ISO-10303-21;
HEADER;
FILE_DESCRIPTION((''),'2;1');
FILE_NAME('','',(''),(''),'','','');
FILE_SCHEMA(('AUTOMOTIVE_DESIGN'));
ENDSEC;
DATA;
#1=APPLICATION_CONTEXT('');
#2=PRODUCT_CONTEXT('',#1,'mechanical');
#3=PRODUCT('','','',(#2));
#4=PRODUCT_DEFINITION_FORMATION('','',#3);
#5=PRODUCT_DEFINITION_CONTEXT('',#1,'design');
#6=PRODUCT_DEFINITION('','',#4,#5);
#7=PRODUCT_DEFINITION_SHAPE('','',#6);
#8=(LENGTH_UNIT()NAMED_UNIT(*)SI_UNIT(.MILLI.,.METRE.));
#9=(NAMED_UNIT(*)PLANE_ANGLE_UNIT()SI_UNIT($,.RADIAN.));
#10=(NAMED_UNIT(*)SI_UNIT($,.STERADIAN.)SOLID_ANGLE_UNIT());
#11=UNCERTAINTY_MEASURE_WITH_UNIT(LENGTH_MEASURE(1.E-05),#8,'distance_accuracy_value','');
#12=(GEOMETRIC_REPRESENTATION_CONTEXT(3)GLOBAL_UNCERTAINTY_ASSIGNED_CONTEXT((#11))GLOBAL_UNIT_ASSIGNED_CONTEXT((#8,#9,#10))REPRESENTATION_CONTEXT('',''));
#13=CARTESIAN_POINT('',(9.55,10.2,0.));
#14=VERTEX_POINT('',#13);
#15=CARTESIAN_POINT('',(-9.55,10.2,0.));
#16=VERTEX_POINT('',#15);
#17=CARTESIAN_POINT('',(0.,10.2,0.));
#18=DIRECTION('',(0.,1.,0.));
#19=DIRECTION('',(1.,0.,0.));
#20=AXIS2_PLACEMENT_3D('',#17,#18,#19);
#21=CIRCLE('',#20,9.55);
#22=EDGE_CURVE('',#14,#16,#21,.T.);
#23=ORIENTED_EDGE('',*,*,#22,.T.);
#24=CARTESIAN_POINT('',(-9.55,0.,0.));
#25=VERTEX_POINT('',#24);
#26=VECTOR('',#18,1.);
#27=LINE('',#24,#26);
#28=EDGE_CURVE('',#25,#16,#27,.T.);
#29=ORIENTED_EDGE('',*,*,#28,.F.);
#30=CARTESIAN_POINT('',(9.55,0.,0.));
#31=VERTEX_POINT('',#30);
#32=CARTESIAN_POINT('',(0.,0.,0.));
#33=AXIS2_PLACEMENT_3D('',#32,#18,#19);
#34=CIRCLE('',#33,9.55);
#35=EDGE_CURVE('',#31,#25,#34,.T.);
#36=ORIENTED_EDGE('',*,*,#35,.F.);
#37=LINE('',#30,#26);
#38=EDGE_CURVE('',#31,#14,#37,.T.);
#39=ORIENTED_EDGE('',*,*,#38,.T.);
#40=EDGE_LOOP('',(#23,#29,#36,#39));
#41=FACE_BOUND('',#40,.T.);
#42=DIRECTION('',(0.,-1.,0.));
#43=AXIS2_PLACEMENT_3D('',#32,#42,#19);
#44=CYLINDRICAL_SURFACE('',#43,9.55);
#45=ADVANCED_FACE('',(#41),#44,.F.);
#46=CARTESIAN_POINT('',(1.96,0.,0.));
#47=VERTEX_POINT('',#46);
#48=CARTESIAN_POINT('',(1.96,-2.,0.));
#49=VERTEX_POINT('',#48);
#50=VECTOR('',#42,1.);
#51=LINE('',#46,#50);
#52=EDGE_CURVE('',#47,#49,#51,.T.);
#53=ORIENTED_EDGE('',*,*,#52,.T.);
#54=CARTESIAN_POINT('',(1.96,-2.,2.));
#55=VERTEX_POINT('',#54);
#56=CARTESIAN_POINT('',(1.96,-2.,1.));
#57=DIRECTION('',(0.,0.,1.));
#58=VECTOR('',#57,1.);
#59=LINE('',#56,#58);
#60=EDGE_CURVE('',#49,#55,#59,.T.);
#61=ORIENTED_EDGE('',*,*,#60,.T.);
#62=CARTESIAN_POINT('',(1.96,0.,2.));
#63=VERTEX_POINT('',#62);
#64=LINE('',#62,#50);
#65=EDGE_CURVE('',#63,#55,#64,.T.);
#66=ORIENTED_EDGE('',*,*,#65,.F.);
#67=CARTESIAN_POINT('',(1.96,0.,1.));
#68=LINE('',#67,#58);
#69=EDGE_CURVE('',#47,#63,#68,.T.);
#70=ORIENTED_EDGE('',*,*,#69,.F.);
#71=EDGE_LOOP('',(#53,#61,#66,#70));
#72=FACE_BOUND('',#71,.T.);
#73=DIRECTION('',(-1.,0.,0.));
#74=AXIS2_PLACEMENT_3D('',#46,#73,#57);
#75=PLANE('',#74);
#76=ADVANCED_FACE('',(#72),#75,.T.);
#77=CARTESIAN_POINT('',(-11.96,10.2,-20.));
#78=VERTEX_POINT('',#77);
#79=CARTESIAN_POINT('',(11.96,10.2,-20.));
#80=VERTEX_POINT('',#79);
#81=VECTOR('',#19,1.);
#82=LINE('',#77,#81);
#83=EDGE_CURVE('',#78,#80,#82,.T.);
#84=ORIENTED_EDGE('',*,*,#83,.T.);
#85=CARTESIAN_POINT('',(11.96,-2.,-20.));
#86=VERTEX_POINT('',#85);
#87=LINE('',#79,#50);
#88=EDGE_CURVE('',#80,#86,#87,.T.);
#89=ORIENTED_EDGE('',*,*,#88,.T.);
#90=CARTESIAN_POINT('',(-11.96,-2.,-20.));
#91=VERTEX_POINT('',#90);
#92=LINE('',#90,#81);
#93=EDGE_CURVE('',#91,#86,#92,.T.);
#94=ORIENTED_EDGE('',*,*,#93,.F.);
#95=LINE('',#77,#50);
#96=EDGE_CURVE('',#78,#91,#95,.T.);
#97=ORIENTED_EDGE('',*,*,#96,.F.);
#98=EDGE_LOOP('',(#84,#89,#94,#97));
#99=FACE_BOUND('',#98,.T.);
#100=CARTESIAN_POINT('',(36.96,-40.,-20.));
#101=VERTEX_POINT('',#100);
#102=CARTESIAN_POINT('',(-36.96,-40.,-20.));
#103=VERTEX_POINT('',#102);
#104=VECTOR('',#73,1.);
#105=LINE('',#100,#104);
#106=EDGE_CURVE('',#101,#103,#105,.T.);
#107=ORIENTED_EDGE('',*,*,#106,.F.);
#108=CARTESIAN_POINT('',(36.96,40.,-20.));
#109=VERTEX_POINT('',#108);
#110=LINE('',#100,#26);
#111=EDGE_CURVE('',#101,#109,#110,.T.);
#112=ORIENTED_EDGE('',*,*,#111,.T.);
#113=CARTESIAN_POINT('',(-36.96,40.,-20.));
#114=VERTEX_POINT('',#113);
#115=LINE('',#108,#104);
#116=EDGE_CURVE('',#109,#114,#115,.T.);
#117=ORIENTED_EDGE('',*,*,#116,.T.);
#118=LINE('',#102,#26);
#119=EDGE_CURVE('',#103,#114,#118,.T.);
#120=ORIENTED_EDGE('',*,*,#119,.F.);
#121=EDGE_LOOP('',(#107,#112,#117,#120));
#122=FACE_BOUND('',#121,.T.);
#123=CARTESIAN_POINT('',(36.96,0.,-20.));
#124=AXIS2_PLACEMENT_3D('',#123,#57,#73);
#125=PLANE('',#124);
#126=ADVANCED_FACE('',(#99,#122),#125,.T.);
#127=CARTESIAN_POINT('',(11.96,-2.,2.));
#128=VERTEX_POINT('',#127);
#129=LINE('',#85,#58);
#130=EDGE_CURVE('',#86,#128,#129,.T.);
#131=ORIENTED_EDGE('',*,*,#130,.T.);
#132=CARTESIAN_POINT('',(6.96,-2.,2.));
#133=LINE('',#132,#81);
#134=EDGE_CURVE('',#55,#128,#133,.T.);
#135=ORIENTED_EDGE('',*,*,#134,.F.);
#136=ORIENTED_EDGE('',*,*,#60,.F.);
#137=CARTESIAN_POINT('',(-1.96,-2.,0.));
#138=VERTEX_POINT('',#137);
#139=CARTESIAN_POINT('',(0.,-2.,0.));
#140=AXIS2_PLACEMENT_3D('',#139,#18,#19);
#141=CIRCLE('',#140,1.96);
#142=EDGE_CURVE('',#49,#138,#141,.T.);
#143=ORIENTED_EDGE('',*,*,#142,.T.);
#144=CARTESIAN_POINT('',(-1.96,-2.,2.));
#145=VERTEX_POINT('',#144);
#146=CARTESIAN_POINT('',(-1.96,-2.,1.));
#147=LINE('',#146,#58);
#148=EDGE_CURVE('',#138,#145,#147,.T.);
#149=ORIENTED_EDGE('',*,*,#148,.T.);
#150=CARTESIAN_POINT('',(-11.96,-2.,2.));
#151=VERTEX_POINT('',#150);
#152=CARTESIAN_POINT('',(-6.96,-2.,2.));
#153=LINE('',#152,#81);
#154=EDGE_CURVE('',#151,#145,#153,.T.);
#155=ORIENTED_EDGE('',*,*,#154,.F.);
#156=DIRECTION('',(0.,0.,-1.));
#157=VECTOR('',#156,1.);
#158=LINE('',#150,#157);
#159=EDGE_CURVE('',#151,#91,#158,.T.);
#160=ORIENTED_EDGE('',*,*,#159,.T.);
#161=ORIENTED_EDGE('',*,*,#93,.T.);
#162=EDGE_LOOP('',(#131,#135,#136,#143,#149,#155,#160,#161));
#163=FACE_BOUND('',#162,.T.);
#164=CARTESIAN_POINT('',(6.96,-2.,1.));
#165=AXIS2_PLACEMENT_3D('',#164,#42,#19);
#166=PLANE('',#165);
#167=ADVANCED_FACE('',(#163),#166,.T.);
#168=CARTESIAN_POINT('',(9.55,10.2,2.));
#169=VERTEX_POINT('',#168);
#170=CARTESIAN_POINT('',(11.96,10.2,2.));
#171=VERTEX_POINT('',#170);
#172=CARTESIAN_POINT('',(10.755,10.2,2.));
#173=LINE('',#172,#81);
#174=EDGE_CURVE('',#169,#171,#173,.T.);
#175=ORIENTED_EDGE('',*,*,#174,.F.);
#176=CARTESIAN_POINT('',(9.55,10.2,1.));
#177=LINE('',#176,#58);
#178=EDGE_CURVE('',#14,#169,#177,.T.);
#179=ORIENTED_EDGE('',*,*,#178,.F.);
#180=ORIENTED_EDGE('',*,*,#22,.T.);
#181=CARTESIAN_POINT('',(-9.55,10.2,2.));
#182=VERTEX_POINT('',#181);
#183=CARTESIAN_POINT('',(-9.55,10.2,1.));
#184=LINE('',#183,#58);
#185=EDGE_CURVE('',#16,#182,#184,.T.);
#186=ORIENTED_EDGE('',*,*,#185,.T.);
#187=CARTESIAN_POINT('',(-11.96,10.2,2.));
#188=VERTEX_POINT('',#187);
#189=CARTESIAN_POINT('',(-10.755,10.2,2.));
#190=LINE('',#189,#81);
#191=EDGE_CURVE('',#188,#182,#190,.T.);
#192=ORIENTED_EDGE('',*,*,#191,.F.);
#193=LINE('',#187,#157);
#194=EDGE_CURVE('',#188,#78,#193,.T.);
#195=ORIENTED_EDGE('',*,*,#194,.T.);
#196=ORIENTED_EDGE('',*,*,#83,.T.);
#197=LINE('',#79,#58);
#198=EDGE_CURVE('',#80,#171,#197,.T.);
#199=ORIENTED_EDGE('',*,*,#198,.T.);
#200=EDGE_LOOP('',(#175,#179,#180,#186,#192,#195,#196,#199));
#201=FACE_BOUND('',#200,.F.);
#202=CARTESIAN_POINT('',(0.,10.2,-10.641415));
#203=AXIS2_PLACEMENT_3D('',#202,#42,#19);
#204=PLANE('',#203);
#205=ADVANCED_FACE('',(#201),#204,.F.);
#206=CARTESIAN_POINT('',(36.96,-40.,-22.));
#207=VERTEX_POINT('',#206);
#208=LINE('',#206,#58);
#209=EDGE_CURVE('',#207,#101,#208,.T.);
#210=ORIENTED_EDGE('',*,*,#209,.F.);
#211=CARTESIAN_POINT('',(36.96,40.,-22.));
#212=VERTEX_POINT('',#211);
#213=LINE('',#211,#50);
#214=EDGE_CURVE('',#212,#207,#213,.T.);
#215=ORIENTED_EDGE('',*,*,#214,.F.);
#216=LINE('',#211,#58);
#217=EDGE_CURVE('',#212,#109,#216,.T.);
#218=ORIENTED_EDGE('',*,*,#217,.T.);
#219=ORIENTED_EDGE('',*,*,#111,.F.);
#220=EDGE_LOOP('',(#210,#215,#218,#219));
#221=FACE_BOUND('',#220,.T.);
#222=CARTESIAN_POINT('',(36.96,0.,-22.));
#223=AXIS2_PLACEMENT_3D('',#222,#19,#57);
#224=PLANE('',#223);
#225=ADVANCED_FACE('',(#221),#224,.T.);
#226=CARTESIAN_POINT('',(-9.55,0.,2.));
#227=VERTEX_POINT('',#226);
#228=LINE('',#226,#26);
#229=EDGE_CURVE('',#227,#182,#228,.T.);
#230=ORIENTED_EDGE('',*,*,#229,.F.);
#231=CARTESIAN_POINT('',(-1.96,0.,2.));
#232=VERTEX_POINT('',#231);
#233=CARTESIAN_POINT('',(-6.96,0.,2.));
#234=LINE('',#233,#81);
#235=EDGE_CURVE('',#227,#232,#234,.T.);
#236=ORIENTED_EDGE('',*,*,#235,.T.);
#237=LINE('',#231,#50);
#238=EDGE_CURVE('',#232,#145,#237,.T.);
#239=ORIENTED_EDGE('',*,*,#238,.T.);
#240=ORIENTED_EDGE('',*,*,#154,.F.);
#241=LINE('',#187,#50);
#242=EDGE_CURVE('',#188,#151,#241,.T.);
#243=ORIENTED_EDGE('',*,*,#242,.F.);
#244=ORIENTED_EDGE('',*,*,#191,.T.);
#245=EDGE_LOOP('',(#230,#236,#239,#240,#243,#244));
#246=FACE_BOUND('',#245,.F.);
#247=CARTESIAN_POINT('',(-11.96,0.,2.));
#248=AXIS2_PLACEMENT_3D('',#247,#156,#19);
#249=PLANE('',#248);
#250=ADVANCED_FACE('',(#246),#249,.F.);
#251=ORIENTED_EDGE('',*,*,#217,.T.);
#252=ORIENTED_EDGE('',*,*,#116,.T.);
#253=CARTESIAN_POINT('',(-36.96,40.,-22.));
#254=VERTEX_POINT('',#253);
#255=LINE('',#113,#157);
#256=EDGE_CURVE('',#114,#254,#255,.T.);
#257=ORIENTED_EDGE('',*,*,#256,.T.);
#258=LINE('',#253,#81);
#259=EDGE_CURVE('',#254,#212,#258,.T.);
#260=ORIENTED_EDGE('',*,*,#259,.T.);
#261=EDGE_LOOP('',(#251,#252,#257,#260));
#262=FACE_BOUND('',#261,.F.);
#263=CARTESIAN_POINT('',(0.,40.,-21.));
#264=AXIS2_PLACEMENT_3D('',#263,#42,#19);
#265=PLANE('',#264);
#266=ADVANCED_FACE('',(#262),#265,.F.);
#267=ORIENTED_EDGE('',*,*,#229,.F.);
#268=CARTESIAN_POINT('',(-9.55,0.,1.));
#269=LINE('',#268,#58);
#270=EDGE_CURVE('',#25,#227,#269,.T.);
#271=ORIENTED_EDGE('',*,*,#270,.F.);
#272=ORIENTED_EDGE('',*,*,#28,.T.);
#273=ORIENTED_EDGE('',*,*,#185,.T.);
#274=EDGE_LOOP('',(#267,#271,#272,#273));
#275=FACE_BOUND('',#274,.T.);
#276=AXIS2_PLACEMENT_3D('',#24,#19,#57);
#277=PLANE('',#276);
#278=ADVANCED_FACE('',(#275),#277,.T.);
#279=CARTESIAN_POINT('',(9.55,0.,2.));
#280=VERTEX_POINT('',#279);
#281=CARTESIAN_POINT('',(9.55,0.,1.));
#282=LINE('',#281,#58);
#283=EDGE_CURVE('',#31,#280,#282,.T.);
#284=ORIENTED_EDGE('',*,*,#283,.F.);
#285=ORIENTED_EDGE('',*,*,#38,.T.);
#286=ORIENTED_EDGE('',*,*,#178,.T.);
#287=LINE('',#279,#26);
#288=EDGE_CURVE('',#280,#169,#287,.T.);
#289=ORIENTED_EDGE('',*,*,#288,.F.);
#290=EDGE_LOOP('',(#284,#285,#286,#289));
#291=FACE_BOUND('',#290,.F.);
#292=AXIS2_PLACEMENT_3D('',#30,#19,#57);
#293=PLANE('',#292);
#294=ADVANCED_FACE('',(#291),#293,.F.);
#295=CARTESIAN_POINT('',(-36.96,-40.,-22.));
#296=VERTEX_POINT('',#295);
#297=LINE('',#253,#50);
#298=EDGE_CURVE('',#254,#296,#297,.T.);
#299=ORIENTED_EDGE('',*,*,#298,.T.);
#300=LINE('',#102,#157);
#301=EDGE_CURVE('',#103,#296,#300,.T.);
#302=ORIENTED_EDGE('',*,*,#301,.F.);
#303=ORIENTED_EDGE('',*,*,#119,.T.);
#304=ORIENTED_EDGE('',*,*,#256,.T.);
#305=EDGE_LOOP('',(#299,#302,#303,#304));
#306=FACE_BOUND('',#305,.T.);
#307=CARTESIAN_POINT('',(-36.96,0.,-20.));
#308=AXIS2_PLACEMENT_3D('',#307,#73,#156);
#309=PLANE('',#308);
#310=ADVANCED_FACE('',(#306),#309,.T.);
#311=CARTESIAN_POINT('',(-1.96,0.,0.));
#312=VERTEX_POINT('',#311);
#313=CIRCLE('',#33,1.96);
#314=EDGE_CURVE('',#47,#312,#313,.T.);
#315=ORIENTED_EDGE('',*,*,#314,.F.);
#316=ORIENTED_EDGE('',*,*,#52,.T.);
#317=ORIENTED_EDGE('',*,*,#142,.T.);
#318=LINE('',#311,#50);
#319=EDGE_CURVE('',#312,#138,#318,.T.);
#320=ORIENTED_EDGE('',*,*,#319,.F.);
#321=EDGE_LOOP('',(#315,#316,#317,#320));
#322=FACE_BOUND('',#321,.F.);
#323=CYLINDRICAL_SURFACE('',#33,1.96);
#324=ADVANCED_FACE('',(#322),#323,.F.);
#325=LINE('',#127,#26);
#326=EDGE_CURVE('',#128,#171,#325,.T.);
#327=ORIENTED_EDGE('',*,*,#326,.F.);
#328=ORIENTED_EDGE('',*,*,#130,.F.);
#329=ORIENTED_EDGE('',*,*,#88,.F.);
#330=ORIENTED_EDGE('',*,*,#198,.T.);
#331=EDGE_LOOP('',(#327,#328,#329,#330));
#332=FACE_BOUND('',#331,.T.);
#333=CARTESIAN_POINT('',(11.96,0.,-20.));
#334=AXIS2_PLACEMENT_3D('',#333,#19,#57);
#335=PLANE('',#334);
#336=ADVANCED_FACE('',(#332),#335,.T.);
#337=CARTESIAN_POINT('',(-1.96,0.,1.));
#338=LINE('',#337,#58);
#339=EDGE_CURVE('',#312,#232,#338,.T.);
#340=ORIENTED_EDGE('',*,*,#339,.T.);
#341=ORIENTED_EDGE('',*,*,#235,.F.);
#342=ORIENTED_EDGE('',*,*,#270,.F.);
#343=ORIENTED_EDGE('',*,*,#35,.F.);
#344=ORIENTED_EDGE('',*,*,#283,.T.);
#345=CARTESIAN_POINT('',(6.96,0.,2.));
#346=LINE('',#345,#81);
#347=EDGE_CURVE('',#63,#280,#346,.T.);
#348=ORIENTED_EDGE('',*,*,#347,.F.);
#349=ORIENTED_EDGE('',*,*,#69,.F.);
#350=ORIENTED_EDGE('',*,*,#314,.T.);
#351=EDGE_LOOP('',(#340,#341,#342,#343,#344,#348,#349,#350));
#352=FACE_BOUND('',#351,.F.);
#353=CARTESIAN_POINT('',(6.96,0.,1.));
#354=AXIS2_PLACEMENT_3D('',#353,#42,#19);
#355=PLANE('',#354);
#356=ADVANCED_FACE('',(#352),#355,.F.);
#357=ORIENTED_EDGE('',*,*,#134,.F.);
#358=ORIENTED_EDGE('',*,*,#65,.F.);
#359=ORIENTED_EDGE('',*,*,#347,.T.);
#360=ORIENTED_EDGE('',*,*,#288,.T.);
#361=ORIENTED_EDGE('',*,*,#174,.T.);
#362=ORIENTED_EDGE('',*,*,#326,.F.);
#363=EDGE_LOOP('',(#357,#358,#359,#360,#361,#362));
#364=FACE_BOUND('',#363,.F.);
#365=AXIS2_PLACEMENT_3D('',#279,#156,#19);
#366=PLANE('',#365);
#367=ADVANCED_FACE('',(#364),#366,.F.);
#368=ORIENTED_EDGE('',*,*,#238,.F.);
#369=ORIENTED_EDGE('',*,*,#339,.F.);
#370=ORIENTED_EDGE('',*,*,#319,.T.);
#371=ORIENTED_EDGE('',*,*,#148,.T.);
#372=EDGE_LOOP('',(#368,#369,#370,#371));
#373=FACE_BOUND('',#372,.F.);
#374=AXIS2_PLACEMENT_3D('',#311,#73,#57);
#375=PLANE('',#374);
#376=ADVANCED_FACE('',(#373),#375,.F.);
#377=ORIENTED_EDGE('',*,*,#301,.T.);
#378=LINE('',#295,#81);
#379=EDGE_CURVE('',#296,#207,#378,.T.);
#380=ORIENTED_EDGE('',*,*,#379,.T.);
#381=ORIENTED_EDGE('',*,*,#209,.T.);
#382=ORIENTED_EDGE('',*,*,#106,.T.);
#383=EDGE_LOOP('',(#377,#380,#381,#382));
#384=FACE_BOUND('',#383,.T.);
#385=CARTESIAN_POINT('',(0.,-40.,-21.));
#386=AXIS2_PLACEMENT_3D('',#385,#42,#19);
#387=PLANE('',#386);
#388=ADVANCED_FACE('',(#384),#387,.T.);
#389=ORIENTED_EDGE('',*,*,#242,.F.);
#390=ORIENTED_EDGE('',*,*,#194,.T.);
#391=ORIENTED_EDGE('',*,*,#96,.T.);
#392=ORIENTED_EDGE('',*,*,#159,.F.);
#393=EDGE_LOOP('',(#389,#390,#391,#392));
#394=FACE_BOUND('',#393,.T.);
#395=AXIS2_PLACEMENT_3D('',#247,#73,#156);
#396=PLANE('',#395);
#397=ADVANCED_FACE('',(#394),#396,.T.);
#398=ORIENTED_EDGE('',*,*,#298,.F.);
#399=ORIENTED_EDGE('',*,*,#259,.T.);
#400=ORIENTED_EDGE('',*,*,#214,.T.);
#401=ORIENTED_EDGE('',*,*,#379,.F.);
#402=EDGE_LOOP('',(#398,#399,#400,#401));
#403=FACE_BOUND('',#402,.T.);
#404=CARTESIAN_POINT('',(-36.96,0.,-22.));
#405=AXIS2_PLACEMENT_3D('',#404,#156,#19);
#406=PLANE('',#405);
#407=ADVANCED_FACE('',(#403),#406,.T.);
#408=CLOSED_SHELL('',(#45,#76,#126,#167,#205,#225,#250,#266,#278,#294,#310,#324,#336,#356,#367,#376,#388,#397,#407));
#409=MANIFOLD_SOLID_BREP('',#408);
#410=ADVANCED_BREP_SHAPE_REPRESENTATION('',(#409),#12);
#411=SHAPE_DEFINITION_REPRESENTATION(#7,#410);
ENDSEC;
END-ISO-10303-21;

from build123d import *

# Parameters (mm, degrees)
F0_W     = 10
F0_H     = 2
F1_DEPTH = 2
F2_W     = 2.41
F2_H     = 2
F3_DEPTH = 10.2
F4_DEPTH = 40


with BuildPart() as f1:
    # F0 (on Front) → F1 (new body)
    with BuildSketch(Plane.XZ):
        with Locations((6.96, 1)):
            Rectangle(F0_W, F0_H)
        with Locations((-6.96, 1)):
            Rectangle(F0_W, F0_H)
        with BuildLine():
            ThreePointArc((1.96, 0), (0, -1.96), (-1.96, 0))
            Line((-1.96, 0), (-11.96, 0))
            Line((-11.96, 0), (-11.96, -20))
            Line((-11.96, -20), (11.96, -20))
            Line((11.96, -20), (11.96, 0))
            Line((11.96, 0), (1.96, 0))
        make_face()
    extrude(amount=F1_DEPTH)

    # F2 (on Front) → F3 (join)
    with BuildSketch(Plane.XZ):
        with BuildLine():
            ThreePointArc((9.55, 0), (0, -9.55), (-9.55, 0))
            Line((-9.55, 0), (-11.96, 0))
            Line((-11.96, 0), (-11.96, -20))
            Line((-11.96, -20), (11.96, -20))
            Line((11.96, -20), (11.96, 0))
            Line((11.96, 0), (9.55, 0))
        make_face()
        with Locations((-10.755, 1)):
            Rectangle(F2_W, F2_H)
        with Locations((10.755, 1)):
            Rectangle(F2_W, F2_H)
    extrude(amount=-F3_DEPTH)

    # F0 (on Front) → F4 (join, symmetric)
    with BuildSketch(Plane.XZ):
        Polygon((11.96, -20), (-11.96, -20), (-36.96, -20), (-36.96, -22), (36.96, -22), (36.96, -20), align=None)
    extrude(amount=F4_DEPTH, both=True)


solid = f1.part
